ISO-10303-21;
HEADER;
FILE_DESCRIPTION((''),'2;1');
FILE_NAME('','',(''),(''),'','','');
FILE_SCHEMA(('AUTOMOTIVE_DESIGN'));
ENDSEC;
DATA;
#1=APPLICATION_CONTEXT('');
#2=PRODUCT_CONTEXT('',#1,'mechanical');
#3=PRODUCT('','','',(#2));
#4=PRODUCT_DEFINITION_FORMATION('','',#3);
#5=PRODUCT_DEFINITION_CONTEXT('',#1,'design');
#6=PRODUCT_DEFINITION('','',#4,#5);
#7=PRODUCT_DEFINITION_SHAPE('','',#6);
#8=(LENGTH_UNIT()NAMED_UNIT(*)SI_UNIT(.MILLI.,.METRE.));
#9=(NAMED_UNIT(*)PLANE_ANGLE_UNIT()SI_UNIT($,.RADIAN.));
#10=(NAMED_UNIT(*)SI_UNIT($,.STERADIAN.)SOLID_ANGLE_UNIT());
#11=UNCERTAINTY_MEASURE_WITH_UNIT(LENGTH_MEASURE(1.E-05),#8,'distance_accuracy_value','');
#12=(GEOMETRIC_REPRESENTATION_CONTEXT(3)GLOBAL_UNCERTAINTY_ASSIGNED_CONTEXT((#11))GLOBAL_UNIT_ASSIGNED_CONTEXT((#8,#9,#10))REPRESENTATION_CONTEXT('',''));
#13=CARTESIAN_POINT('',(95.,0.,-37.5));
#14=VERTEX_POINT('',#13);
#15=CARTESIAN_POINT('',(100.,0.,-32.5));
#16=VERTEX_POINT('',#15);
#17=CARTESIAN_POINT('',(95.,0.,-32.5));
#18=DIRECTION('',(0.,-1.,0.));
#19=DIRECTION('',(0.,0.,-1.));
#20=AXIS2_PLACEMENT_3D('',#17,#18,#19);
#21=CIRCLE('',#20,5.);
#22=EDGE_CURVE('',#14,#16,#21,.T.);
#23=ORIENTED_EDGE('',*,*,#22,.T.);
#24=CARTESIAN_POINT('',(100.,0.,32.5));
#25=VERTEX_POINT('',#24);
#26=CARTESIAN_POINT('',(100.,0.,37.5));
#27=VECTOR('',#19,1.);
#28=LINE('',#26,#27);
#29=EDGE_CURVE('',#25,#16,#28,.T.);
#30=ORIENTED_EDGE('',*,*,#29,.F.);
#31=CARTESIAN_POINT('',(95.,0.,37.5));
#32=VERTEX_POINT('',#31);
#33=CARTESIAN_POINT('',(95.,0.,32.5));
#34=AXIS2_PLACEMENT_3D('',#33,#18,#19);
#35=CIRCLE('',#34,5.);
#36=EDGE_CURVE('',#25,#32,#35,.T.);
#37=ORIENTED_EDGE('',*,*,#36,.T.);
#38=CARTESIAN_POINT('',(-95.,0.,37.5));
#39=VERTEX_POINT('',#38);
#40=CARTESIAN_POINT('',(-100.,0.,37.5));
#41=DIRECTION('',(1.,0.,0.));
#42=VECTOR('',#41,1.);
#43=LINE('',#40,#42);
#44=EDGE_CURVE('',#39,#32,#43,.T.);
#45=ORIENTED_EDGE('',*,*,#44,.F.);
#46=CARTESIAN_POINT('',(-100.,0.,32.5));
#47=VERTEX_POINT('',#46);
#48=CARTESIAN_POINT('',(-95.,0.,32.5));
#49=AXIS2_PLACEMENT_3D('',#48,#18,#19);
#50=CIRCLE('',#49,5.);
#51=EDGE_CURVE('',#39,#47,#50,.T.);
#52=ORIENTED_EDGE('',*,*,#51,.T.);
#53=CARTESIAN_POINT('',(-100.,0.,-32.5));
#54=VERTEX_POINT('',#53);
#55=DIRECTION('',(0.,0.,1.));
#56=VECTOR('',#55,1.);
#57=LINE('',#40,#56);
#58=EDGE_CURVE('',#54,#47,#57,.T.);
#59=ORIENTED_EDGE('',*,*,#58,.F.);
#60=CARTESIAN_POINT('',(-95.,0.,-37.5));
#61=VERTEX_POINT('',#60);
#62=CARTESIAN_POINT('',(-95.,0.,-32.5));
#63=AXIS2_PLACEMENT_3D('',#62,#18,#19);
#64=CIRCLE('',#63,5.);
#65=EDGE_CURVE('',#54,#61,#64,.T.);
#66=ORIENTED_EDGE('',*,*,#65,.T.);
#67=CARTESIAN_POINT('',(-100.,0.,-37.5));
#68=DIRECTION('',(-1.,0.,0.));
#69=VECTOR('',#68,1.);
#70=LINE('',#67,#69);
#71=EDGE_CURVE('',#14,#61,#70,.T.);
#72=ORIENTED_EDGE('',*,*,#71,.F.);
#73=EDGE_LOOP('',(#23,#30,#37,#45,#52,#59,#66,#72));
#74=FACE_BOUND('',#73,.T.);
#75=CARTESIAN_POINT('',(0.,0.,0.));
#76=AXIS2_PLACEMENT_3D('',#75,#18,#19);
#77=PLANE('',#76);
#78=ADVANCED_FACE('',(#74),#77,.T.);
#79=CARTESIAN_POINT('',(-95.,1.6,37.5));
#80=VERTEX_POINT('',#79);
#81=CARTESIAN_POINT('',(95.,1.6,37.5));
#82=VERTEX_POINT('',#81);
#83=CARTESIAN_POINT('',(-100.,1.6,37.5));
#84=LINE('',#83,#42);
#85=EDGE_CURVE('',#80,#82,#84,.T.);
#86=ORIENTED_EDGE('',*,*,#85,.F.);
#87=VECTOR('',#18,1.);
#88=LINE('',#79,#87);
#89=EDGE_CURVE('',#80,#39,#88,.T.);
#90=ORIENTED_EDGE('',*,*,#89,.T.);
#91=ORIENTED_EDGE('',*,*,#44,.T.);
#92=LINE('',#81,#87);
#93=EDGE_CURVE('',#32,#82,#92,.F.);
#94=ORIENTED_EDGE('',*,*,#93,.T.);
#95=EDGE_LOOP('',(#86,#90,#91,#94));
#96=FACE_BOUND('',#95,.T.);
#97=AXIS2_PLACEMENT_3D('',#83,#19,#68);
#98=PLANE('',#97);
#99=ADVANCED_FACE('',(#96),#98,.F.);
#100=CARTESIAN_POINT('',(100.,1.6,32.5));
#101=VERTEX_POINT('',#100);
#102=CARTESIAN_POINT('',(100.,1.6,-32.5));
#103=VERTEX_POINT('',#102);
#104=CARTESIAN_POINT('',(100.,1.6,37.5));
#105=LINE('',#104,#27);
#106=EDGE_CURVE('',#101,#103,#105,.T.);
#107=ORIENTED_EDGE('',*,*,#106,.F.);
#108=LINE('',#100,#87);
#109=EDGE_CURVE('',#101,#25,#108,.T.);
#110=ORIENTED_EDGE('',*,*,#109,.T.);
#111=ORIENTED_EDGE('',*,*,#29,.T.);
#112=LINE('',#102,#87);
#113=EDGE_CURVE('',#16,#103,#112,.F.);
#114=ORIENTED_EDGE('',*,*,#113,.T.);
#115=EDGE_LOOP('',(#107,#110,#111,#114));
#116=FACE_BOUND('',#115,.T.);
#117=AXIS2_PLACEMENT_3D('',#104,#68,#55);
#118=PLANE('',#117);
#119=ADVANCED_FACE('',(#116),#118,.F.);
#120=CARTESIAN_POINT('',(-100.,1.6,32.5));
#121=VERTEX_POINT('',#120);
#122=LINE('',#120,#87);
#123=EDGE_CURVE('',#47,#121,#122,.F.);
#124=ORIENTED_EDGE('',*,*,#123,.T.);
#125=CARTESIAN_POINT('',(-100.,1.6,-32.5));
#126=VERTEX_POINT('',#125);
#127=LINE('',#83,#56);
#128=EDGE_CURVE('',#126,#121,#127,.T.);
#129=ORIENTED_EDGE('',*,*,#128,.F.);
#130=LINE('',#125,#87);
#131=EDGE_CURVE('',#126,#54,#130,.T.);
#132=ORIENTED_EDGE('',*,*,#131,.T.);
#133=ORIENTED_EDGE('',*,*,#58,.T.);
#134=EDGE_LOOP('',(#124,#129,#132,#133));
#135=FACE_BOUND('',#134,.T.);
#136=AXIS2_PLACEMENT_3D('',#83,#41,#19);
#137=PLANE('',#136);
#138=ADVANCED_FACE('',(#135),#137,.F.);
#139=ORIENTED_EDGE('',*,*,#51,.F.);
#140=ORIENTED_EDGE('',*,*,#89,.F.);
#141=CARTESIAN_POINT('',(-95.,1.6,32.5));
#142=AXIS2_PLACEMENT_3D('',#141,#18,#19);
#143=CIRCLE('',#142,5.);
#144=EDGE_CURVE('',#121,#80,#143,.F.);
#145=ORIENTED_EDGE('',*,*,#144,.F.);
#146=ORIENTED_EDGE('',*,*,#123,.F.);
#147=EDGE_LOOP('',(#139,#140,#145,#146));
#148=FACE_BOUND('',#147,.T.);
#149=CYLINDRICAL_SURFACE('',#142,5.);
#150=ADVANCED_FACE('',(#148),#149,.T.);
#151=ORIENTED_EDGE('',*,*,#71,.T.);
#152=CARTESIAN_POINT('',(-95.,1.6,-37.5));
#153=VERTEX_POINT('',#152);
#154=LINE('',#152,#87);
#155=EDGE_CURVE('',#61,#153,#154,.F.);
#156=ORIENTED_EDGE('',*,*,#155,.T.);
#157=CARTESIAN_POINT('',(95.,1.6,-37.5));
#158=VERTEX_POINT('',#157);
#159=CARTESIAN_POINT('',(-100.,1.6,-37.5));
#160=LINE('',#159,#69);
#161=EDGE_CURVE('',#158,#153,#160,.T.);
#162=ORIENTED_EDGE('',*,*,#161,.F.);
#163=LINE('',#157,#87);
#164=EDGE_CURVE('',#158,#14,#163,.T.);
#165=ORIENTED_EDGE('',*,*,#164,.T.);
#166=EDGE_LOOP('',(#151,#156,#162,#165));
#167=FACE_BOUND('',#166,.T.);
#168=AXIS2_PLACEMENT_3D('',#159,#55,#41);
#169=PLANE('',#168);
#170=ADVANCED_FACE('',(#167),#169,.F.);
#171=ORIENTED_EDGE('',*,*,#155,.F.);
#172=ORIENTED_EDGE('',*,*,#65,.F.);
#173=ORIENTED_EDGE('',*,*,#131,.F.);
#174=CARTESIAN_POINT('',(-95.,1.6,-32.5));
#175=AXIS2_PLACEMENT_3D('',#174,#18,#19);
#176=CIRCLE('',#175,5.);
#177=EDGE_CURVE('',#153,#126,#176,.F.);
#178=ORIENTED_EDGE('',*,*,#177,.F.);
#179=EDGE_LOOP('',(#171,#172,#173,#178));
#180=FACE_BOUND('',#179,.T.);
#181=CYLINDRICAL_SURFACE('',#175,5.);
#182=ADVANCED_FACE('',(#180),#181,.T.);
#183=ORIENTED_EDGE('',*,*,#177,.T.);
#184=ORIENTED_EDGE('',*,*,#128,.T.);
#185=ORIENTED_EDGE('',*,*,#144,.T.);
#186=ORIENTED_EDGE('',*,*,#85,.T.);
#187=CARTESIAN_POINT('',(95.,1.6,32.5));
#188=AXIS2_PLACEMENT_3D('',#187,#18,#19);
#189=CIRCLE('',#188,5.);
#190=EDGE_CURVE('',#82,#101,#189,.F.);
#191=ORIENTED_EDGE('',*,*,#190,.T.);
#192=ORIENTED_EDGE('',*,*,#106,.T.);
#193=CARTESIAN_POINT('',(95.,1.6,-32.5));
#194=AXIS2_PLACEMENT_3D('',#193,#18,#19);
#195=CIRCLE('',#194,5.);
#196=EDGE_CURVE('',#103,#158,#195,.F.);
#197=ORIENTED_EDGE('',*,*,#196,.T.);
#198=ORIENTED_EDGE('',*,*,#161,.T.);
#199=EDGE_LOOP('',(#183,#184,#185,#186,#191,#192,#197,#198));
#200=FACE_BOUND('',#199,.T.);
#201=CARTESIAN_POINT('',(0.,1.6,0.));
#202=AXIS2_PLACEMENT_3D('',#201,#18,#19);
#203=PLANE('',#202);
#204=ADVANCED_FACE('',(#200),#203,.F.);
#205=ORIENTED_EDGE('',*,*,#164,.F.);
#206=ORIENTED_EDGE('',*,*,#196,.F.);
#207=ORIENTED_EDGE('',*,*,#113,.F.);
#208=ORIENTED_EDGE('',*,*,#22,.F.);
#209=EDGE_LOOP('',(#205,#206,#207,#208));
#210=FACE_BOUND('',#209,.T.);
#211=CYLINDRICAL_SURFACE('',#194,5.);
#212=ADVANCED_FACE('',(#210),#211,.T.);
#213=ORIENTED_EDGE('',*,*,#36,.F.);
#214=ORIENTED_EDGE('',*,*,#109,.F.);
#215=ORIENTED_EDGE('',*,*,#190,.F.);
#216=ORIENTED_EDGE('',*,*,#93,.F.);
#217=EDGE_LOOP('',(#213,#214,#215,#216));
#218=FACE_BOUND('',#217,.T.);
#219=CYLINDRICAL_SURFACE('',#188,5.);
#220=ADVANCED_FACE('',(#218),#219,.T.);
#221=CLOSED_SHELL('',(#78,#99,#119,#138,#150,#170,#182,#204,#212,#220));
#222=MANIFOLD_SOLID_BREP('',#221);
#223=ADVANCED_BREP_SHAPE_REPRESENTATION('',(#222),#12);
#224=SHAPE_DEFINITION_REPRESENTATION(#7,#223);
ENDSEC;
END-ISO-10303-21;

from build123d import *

# Parameters (mm, degrees)
SKETCH_1_W      = 200
SKETCH_1_H      = 75
EXTRUDE_1_DEPTH = 1.6
FILLET_1_R      = 5


with BuildPart() as part:
    # 草图1 → 凸台-拉伸1 (new body)
    with BuildSketch(Plane(origin=(0, 0, 0), x_dir=(1, 0, 0), z_dir=(0, 1, 0))):
        Rectangle(SKETCH_1_W, SKETCH_1_H)
    extrude(amount=EXTRUDE_1_DEPTH)

    # 圆角1
    fillet_1_edges = [part.edges().sort_by_distance(p)[0] for p in [
        (100, 0.8, 37.5),
        (-100, 0.8, 37.5),
        (-100, 0.8, -37.5),
        (100, 0.8, -37.5),
    ]]
    fillet(fillet_1_edges, radius=FILLET_1_R)


solid = part.part
